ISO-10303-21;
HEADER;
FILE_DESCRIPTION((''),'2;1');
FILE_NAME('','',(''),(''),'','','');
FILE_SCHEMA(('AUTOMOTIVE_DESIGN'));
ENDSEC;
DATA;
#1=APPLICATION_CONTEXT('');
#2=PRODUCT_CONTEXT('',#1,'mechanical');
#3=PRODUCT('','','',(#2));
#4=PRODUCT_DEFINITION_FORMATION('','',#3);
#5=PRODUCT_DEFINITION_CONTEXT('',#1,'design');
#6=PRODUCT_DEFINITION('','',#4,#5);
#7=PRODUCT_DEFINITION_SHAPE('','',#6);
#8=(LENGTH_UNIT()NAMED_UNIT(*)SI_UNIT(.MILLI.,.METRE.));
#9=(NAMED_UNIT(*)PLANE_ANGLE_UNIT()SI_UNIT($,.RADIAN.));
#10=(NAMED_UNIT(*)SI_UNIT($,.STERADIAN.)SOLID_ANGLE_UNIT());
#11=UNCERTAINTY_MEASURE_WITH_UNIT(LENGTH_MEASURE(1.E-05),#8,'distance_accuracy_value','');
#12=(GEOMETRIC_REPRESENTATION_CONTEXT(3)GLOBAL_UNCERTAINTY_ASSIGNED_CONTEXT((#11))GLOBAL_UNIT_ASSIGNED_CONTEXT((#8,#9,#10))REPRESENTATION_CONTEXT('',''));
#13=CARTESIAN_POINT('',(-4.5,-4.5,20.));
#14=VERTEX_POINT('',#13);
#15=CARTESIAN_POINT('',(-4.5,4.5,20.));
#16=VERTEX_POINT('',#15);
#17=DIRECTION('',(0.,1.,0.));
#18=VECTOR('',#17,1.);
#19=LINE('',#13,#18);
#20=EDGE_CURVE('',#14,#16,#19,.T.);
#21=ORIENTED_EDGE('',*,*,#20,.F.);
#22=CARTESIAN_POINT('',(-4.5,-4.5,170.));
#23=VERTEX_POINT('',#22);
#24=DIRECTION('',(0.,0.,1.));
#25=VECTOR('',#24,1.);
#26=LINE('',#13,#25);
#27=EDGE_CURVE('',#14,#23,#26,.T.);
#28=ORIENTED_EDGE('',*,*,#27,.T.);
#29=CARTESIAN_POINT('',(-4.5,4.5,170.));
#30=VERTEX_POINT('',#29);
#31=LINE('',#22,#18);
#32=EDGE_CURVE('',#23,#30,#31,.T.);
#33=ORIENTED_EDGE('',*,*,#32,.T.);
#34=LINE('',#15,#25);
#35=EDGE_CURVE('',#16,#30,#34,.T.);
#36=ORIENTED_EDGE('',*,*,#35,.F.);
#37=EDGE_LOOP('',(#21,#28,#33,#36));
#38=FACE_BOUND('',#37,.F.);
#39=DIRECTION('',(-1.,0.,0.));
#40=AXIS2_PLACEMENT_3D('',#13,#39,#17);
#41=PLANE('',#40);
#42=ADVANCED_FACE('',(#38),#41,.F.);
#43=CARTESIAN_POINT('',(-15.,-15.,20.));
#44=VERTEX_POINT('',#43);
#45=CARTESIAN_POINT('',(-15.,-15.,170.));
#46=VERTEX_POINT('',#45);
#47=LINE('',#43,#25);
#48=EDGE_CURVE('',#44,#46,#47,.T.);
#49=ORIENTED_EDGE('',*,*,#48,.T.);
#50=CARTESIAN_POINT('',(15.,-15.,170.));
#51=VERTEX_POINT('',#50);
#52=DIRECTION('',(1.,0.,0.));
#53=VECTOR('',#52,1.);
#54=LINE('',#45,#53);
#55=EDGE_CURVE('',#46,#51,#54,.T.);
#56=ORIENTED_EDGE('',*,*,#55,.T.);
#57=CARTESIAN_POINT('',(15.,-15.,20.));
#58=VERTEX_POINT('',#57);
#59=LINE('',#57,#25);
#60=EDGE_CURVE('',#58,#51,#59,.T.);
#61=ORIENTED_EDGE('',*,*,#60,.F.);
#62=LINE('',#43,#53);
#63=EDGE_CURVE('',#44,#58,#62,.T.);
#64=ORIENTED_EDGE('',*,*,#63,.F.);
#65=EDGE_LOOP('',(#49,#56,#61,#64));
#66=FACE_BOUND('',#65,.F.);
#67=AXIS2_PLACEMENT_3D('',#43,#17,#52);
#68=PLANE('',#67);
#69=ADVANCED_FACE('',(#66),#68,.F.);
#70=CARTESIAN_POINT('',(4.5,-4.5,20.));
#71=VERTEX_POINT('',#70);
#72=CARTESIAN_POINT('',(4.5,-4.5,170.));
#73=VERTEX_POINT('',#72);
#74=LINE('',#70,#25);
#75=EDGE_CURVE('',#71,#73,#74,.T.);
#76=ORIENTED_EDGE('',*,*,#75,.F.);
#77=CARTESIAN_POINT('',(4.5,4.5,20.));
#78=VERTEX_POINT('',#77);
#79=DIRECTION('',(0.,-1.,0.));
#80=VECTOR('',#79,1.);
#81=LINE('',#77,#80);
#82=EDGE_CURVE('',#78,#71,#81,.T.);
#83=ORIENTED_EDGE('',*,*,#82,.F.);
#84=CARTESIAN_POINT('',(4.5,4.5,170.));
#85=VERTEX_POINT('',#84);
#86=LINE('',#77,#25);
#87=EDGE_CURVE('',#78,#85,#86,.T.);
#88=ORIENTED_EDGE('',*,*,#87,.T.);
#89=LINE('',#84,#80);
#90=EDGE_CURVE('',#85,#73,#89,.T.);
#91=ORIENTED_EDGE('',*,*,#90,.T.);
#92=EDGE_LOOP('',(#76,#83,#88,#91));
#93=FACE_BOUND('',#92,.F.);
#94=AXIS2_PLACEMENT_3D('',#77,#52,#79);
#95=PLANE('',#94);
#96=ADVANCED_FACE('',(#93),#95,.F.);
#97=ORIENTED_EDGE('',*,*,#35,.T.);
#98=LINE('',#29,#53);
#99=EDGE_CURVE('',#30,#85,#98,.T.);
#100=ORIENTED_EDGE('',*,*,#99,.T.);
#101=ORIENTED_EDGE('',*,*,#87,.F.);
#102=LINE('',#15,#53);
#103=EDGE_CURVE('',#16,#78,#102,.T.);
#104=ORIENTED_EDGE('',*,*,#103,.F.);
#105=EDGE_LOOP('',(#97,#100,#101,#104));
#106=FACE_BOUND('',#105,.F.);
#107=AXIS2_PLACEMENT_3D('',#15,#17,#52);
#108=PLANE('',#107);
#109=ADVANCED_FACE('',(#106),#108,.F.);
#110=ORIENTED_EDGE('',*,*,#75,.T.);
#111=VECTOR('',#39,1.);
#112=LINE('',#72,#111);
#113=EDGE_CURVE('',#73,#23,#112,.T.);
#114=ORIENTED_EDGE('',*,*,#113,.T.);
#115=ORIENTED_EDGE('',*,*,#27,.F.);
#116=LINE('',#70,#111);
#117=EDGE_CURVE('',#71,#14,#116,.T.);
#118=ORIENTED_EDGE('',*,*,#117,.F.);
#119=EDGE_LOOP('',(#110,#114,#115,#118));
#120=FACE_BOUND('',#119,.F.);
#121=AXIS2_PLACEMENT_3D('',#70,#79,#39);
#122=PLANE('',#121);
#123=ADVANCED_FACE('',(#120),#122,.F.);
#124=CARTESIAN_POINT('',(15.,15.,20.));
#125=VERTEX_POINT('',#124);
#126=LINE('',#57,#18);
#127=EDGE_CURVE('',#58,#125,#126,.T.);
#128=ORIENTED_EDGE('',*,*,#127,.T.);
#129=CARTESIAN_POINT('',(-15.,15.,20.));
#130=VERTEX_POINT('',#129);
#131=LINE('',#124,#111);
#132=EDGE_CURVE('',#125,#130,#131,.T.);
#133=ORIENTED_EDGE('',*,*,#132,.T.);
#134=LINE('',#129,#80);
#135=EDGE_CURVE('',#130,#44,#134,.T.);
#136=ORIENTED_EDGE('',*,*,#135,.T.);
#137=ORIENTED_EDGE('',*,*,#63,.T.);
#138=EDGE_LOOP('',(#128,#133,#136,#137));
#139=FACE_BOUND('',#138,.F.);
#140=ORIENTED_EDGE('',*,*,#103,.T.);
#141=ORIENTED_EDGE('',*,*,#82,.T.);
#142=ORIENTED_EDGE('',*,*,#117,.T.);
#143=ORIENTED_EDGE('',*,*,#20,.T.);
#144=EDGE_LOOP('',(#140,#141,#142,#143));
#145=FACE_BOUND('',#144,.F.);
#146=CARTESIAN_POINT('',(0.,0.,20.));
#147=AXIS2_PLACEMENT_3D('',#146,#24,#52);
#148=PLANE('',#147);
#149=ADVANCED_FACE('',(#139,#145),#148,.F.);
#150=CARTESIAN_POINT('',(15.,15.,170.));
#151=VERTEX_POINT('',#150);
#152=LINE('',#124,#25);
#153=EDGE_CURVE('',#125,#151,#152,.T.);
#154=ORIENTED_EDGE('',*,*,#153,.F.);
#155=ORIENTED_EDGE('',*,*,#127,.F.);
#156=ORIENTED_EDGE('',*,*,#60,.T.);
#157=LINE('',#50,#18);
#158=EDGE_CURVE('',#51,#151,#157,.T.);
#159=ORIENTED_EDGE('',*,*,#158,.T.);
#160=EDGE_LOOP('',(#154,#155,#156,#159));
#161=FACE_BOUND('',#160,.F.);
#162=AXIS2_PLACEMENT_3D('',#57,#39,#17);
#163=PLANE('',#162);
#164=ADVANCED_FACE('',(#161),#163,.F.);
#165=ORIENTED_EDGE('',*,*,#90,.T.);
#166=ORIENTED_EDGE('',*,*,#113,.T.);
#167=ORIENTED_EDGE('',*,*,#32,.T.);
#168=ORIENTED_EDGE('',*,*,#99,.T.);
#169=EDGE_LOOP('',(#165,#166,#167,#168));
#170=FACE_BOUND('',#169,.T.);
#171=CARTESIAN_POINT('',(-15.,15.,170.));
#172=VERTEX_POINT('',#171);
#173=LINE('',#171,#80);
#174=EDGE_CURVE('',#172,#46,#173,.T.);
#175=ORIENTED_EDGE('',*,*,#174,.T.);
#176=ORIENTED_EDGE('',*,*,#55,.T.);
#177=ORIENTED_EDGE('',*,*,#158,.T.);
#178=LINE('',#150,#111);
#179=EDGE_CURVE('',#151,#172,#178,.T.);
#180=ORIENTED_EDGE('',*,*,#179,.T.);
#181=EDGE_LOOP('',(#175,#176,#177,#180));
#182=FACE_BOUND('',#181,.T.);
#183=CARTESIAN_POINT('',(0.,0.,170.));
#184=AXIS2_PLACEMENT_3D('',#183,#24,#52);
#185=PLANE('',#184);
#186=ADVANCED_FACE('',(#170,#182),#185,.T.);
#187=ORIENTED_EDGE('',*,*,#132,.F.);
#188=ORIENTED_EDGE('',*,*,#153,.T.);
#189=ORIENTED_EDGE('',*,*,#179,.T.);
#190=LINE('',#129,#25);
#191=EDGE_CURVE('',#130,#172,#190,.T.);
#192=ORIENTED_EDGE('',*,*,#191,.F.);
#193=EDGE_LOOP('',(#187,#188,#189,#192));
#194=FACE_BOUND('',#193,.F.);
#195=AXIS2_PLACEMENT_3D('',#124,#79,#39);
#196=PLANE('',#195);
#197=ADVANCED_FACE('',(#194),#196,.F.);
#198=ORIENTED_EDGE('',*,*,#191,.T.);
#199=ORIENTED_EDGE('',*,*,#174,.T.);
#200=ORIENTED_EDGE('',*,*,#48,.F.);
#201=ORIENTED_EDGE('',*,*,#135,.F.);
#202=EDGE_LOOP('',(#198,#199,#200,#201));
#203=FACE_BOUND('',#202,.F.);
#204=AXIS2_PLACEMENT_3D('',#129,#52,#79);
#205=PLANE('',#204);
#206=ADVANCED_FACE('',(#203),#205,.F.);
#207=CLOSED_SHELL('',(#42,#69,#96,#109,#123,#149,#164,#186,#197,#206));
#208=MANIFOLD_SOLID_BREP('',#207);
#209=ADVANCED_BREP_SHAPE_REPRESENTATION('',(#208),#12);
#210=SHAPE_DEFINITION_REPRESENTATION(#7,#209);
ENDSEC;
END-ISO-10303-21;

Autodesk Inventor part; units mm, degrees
ref_plane "YZ Plane" through (0, 0, 0) normal (1, 0, 0) x (0, 1, 0)
ref_plane "XZ Plane" through (0, 0, 0) normal (0, 1, 0) x (-1, 0, 0)
ref_plane "Work Plane1" through (0, 0, 20) normal (0, 0, 1) x (1, 0, 0)
sketch "Sketch2" plane through (0, 0, 20) normal (0, 0, 1) x (1, 0, 0)
  line L0 (4.5, -4.5) -> (-4.5, -4.5)
  line L1 (-4.5, -4.5) -> (-4.5, 4.5)
  line L2 (-4.5, 4.5) -> (4.5, 4.5)
  line L3 (4.5, 4.5) -> (4.5, -4.5)
  line L4 (4.5, -4.5) -> (-4.5, 4.5) construction
  line L5 (-4.5, -4.5) -> (4.5, 4.5) construction
  line L6 (8.4853, -8.4853) -> (-8.4853, 8.4853) construction
  line L7 (-8.4853, -8.4853) -> (8.4853, 8.4853) construction
  line L8 (15, 15) -> (-15, 15)
  line L9 (-15, 15) -> (-15, -15)
  line L10 (-15, -15) -> (15, -15)
  line L11 (15, -15) -> (15, 15)
  line L12 (15, 15) -> (-15, -15) construction
  line L13 (-15, 15) -> (15, -15) construction
  point P0 (0, 0)
  dimension "d4" = 9
  dimension "d5" = 9
  dimension "d10" = 30
  dimension "d11" = 30
extrude "Extrusion3" add sketch "Sketch2" along normal blind 150
